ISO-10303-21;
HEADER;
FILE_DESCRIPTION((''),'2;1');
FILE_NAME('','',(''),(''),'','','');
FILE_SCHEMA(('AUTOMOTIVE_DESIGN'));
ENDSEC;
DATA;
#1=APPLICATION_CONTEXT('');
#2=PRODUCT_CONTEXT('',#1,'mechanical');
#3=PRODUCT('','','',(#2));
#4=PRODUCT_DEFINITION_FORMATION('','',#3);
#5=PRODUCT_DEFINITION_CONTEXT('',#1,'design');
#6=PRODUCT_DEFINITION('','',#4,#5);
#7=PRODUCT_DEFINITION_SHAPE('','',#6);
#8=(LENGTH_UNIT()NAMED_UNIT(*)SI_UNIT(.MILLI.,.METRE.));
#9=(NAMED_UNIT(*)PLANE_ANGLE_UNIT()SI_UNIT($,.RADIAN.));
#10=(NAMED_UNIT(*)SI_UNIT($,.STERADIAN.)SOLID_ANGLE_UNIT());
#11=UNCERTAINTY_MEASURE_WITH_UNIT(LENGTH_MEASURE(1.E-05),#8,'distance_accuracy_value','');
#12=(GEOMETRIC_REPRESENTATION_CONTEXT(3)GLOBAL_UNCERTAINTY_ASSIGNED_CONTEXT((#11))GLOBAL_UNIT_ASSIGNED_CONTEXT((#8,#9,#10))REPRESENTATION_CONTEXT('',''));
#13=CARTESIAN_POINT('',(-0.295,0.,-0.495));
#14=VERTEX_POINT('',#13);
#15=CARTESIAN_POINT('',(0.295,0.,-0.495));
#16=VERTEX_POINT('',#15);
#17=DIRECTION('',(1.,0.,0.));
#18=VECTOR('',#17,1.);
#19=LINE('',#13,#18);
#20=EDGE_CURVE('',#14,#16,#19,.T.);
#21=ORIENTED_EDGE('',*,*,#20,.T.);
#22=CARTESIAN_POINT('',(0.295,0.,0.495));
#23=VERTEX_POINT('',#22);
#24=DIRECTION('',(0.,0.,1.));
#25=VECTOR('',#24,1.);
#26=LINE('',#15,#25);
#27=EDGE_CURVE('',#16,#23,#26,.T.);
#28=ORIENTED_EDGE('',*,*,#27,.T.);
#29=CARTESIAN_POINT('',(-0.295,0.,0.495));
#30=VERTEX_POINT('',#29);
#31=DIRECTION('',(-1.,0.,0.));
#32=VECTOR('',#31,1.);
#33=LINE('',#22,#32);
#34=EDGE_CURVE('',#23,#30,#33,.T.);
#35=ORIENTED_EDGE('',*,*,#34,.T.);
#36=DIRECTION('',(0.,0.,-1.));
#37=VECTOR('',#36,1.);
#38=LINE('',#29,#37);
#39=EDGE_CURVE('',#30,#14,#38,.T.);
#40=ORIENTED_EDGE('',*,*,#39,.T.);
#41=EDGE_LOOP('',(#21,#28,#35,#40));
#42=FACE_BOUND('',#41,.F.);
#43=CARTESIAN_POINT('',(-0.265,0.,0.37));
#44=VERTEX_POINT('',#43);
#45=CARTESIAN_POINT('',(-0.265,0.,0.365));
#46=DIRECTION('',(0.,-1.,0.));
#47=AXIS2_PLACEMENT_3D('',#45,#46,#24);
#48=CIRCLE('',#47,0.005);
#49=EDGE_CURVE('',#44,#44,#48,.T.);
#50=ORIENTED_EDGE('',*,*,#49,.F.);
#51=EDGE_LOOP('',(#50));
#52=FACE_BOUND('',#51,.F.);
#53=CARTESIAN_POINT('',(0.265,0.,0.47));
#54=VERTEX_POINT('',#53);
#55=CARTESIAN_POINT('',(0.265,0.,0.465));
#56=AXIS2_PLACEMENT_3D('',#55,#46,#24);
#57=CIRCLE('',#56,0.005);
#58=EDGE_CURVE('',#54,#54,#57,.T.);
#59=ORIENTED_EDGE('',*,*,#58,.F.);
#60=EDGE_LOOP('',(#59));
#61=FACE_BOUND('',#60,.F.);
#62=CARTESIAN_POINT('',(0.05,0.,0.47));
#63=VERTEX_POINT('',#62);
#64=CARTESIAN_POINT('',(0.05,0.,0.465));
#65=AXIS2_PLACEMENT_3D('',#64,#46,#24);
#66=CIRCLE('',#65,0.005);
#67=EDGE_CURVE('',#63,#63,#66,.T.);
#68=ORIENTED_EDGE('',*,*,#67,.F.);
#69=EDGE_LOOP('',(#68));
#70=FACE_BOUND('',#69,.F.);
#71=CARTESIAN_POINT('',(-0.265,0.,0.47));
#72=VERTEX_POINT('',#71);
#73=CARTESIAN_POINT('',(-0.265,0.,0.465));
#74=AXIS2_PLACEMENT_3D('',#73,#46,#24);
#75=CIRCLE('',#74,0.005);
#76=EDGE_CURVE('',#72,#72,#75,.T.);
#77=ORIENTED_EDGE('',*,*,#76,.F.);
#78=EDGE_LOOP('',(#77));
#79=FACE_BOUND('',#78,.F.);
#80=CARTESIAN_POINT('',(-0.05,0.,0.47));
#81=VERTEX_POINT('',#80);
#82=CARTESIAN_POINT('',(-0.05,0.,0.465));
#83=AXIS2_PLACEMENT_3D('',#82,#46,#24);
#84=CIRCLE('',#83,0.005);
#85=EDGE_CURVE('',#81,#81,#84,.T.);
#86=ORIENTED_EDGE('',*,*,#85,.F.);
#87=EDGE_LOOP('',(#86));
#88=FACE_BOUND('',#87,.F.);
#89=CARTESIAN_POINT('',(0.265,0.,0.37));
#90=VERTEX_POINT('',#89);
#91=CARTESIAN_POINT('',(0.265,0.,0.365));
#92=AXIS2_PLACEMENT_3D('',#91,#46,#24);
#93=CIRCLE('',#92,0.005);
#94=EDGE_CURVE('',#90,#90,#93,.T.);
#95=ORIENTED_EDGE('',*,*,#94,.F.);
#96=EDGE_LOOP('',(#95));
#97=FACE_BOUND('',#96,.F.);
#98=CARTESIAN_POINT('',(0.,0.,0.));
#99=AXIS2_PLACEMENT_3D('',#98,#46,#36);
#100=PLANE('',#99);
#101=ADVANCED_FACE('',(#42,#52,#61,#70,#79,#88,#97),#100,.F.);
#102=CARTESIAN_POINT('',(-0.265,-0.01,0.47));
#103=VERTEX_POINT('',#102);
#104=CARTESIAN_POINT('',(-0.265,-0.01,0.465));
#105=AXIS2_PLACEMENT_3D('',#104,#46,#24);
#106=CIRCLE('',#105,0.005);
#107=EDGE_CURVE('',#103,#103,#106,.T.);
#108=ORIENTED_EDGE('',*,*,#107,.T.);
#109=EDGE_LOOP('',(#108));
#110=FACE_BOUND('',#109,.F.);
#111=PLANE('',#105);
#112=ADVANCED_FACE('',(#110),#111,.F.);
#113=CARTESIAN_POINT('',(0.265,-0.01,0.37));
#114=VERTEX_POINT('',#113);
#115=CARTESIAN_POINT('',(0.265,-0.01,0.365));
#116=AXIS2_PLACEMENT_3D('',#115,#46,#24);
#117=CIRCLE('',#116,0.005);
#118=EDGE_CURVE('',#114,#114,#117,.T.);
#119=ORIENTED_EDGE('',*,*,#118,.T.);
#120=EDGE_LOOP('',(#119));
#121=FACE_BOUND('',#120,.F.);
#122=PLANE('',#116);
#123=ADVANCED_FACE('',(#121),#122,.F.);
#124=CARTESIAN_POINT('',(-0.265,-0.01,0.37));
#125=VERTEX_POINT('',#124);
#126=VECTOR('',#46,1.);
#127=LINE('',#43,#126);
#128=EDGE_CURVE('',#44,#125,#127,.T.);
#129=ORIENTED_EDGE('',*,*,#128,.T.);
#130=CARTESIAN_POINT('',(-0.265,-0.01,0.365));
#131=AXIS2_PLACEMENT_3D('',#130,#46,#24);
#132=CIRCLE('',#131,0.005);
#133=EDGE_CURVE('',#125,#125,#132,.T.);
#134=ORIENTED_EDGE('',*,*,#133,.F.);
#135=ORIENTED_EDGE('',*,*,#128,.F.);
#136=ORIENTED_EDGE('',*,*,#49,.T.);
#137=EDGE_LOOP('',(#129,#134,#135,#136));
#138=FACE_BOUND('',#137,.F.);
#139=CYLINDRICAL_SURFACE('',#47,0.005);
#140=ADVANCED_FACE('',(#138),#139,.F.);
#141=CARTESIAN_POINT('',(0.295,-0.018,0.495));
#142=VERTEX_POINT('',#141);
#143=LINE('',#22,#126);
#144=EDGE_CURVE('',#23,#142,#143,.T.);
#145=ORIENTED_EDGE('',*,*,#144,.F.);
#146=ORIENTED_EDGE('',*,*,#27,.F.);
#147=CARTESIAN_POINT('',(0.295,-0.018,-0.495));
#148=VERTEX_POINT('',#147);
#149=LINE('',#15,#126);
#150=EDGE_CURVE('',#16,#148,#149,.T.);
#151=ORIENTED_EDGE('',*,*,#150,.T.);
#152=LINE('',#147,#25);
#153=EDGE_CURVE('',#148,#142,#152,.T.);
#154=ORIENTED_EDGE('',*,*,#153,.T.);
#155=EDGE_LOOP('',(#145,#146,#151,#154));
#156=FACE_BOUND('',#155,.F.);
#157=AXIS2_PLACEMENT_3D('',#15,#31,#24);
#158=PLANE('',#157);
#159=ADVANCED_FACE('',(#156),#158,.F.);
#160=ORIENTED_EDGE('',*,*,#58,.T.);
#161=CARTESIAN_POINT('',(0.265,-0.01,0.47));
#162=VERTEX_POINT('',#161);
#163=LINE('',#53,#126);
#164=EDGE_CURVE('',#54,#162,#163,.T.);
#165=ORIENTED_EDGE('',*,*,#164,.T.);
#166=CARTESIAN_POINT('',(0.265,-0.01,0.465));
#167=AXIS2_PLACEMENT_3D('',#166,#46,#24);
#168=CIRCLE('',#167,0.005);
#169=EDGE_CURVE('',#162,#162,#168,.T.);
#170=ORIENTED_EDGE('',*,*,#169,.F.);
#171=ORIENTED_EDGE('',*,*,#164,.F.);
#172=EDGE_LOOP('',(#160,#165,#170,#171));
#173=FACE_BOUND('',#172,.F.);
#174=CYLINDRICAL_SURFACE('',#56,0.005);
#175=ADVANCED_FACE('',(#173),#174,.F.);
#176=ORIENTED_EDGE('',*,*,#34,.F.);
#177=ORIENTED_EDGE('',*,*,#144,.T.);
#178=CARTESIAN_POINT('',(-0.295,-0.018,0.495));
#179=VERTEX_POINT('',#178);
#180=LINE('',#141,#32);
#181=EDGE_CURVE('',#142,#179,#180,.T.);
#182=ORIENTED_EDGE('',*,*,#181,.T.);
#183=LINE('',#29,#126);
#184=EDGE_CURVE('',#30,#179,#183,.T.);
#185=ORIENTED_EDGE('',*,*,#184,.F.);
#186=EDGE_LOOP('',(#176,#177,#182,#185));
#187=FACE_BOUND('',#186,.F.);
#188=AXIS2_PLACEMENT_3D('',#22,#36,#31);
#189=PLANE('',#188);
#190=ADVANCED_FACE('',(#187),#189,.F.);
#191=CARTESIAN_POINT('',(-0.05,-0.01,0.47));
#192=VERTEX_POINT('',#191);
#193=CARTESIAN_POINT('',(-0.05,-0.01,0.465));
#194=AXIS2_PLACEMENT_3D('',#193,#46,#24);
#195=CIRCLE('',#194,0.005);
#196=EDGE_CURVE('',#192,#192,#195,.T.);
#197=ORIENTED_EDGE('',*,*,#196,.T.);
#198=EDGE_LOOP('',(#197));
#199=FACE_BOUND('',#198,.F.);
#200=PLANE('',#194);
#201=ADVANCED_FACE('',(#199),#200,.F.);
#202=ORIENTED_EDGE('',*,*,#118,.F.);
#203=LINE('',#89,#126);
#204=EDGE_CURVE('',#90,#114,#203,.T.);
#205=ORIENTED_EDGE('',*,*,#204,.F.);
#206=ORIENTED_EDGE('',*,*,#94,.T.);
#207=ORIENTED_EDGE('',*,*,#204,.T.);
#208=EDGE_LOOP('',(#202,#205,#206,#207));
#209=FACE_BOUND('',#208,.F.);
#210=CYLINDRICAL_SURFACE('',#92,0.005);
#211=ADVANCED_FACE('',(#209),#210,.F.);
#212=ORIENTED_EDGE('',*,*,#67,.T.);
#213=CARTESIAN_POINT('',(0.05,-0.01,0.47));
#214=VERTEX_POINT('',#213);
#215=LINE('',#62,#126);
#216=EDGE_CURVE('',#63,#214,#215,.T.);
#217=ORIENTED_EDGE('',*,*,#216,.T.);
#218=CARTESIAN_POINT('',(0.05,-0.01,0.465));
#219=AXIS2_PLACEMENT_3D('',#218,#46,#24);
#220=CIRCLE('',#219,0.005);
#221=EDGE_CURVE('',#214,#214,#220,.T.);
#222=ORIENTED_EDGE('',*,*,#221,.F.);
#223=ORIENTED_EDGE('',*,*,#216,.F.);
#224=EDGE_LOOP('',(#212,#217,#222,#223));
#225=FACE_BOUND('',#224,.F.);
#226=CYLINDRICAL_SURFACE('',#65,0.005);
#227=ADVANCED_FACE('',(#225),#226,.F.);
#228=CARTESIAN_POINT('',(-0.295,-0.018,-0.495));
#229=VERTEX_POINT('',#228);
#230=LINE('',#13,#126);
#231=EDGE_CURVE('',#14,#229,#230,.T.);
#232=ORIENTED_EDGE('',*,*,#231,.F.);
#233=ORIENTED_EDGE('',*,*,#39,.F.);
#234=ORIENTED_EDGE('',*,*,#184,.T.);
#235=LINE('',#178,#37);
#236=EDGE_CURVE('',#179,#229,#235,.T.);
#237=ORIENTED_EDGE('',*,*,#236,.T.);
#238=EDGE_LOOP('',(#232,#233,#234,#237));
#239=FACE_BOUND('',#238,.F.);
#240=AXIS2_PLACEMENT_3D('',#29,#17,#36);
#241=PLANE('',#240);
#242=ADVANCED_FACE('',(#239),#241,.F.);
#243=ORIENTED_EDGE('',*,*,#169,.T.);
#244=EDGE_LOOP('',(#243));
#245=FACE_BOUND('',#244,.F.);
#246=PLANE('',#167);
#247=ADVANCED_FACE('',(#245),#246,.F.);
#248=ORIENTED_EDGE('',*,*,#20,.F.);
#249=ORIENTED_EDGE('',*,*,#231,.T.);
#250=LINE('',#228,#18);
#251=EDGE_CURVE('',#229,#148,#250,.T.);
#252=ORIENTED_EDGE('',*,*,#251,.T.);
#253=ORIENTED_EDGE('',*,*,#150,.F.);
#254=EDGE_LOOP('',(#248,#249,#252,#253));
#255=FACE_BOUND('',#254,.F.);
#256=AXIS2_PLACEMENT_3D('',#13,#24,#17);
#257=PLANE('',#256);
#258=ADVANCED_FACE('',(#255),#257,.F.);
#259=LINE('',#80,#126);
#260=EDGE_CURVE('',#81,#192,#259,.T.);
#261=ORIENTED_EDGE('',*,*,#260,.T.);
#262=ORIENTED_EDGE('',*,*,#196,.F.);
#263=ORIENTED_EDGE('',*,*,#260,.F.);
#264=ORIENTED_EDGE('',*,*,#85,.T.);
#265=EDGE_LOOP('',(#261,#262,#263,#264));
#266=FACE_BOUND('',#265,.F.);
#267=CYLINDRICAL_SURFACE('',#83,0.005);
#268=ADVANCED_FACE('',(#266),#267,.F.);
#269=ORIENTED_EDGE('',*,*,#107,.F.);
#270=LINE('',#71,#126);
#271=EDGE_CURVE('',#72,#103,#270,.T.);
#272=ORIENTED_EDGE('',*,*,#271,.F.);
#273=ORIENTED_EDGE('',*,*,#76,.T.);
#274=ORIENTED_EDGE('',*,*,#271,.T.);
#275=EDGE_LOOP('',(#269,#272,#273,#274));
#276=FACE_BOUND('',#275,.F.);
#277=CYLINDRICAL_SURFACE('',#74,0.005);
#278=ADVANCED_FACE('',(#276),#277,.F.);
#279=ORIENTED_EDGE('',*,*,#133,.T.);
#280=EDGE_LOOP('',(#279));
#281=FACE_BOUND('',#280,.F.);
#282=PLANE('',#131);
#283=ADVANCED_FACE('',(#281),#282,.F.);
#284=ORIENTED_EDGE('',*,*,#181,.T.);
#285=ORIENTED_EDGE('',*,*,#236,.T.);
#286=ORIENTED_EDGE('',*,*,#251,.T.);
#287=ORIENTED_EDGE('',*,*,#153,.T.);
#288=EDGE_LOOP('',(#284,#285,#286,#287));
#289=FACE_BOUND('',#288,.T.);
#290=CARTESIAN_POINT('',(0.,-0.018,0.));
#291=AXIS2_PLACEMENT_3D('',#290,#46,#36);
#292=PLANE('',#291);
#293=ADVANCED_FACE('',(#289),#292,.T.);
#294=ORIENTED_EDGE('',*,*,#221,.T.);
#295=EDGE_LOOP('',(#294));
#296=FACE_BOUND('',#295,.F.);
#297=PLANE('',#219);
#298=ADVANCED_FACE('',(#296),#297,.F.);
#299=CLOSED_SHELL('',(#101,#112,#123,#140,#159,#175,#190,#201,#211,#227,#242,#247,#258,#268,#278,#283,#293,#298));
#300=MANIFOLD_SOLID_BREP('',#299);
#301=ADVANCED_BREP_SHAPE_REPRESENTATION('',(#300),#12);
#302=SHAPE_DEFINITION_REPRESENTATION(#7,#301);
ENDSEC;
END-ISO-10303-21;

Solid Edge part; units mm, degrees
sketch "Sketch1" plane through (0, 0, 0) normal (0, -1, 0) x (1, 0, 0)
  line L0 (-0.295, -0.495) -> (0.295, -0.495)
  line L1 (0.295, -0.495) -> (0.295, 0.495)
  line L2 (0.295, 0.495) -> (-0.295, 0.495)
  line L3 (-0.295, 0.495) -> (-0.295, -0.495)
  dimension "D1" = 0.99
  dimension "D2" = 0.59
extrude "Protrusion1" add sketch "Sketch1" along normal blind 0.018
hole "Bohrung_1" at (-0.05, 0, 0.465) direction (0, -1, 0) diameter 0.01 depth 0.01
hole "Hole1" at (0.05, 0, 0.465) direction (0, -1, 0) diameter 0.01 depth 0.01
hole "Hole2" at (0.265, 0, 0.465) direction (0, -1, 0) diameter 0.01 depth 0.01
hole "Hole3" at (0.265, 0, 0.365) direction (0, -1, 0) diameter 0.01 depth 0.01
hole "Hole4" at (-0.265, 0, 0.365) direction (0, -1, 0) diameter 0.01 depth 0.01
hole "Hole5" at (-0.265, 0, 0.465) direction (0, -1, 0) diameter 0.01 depth 0.01
